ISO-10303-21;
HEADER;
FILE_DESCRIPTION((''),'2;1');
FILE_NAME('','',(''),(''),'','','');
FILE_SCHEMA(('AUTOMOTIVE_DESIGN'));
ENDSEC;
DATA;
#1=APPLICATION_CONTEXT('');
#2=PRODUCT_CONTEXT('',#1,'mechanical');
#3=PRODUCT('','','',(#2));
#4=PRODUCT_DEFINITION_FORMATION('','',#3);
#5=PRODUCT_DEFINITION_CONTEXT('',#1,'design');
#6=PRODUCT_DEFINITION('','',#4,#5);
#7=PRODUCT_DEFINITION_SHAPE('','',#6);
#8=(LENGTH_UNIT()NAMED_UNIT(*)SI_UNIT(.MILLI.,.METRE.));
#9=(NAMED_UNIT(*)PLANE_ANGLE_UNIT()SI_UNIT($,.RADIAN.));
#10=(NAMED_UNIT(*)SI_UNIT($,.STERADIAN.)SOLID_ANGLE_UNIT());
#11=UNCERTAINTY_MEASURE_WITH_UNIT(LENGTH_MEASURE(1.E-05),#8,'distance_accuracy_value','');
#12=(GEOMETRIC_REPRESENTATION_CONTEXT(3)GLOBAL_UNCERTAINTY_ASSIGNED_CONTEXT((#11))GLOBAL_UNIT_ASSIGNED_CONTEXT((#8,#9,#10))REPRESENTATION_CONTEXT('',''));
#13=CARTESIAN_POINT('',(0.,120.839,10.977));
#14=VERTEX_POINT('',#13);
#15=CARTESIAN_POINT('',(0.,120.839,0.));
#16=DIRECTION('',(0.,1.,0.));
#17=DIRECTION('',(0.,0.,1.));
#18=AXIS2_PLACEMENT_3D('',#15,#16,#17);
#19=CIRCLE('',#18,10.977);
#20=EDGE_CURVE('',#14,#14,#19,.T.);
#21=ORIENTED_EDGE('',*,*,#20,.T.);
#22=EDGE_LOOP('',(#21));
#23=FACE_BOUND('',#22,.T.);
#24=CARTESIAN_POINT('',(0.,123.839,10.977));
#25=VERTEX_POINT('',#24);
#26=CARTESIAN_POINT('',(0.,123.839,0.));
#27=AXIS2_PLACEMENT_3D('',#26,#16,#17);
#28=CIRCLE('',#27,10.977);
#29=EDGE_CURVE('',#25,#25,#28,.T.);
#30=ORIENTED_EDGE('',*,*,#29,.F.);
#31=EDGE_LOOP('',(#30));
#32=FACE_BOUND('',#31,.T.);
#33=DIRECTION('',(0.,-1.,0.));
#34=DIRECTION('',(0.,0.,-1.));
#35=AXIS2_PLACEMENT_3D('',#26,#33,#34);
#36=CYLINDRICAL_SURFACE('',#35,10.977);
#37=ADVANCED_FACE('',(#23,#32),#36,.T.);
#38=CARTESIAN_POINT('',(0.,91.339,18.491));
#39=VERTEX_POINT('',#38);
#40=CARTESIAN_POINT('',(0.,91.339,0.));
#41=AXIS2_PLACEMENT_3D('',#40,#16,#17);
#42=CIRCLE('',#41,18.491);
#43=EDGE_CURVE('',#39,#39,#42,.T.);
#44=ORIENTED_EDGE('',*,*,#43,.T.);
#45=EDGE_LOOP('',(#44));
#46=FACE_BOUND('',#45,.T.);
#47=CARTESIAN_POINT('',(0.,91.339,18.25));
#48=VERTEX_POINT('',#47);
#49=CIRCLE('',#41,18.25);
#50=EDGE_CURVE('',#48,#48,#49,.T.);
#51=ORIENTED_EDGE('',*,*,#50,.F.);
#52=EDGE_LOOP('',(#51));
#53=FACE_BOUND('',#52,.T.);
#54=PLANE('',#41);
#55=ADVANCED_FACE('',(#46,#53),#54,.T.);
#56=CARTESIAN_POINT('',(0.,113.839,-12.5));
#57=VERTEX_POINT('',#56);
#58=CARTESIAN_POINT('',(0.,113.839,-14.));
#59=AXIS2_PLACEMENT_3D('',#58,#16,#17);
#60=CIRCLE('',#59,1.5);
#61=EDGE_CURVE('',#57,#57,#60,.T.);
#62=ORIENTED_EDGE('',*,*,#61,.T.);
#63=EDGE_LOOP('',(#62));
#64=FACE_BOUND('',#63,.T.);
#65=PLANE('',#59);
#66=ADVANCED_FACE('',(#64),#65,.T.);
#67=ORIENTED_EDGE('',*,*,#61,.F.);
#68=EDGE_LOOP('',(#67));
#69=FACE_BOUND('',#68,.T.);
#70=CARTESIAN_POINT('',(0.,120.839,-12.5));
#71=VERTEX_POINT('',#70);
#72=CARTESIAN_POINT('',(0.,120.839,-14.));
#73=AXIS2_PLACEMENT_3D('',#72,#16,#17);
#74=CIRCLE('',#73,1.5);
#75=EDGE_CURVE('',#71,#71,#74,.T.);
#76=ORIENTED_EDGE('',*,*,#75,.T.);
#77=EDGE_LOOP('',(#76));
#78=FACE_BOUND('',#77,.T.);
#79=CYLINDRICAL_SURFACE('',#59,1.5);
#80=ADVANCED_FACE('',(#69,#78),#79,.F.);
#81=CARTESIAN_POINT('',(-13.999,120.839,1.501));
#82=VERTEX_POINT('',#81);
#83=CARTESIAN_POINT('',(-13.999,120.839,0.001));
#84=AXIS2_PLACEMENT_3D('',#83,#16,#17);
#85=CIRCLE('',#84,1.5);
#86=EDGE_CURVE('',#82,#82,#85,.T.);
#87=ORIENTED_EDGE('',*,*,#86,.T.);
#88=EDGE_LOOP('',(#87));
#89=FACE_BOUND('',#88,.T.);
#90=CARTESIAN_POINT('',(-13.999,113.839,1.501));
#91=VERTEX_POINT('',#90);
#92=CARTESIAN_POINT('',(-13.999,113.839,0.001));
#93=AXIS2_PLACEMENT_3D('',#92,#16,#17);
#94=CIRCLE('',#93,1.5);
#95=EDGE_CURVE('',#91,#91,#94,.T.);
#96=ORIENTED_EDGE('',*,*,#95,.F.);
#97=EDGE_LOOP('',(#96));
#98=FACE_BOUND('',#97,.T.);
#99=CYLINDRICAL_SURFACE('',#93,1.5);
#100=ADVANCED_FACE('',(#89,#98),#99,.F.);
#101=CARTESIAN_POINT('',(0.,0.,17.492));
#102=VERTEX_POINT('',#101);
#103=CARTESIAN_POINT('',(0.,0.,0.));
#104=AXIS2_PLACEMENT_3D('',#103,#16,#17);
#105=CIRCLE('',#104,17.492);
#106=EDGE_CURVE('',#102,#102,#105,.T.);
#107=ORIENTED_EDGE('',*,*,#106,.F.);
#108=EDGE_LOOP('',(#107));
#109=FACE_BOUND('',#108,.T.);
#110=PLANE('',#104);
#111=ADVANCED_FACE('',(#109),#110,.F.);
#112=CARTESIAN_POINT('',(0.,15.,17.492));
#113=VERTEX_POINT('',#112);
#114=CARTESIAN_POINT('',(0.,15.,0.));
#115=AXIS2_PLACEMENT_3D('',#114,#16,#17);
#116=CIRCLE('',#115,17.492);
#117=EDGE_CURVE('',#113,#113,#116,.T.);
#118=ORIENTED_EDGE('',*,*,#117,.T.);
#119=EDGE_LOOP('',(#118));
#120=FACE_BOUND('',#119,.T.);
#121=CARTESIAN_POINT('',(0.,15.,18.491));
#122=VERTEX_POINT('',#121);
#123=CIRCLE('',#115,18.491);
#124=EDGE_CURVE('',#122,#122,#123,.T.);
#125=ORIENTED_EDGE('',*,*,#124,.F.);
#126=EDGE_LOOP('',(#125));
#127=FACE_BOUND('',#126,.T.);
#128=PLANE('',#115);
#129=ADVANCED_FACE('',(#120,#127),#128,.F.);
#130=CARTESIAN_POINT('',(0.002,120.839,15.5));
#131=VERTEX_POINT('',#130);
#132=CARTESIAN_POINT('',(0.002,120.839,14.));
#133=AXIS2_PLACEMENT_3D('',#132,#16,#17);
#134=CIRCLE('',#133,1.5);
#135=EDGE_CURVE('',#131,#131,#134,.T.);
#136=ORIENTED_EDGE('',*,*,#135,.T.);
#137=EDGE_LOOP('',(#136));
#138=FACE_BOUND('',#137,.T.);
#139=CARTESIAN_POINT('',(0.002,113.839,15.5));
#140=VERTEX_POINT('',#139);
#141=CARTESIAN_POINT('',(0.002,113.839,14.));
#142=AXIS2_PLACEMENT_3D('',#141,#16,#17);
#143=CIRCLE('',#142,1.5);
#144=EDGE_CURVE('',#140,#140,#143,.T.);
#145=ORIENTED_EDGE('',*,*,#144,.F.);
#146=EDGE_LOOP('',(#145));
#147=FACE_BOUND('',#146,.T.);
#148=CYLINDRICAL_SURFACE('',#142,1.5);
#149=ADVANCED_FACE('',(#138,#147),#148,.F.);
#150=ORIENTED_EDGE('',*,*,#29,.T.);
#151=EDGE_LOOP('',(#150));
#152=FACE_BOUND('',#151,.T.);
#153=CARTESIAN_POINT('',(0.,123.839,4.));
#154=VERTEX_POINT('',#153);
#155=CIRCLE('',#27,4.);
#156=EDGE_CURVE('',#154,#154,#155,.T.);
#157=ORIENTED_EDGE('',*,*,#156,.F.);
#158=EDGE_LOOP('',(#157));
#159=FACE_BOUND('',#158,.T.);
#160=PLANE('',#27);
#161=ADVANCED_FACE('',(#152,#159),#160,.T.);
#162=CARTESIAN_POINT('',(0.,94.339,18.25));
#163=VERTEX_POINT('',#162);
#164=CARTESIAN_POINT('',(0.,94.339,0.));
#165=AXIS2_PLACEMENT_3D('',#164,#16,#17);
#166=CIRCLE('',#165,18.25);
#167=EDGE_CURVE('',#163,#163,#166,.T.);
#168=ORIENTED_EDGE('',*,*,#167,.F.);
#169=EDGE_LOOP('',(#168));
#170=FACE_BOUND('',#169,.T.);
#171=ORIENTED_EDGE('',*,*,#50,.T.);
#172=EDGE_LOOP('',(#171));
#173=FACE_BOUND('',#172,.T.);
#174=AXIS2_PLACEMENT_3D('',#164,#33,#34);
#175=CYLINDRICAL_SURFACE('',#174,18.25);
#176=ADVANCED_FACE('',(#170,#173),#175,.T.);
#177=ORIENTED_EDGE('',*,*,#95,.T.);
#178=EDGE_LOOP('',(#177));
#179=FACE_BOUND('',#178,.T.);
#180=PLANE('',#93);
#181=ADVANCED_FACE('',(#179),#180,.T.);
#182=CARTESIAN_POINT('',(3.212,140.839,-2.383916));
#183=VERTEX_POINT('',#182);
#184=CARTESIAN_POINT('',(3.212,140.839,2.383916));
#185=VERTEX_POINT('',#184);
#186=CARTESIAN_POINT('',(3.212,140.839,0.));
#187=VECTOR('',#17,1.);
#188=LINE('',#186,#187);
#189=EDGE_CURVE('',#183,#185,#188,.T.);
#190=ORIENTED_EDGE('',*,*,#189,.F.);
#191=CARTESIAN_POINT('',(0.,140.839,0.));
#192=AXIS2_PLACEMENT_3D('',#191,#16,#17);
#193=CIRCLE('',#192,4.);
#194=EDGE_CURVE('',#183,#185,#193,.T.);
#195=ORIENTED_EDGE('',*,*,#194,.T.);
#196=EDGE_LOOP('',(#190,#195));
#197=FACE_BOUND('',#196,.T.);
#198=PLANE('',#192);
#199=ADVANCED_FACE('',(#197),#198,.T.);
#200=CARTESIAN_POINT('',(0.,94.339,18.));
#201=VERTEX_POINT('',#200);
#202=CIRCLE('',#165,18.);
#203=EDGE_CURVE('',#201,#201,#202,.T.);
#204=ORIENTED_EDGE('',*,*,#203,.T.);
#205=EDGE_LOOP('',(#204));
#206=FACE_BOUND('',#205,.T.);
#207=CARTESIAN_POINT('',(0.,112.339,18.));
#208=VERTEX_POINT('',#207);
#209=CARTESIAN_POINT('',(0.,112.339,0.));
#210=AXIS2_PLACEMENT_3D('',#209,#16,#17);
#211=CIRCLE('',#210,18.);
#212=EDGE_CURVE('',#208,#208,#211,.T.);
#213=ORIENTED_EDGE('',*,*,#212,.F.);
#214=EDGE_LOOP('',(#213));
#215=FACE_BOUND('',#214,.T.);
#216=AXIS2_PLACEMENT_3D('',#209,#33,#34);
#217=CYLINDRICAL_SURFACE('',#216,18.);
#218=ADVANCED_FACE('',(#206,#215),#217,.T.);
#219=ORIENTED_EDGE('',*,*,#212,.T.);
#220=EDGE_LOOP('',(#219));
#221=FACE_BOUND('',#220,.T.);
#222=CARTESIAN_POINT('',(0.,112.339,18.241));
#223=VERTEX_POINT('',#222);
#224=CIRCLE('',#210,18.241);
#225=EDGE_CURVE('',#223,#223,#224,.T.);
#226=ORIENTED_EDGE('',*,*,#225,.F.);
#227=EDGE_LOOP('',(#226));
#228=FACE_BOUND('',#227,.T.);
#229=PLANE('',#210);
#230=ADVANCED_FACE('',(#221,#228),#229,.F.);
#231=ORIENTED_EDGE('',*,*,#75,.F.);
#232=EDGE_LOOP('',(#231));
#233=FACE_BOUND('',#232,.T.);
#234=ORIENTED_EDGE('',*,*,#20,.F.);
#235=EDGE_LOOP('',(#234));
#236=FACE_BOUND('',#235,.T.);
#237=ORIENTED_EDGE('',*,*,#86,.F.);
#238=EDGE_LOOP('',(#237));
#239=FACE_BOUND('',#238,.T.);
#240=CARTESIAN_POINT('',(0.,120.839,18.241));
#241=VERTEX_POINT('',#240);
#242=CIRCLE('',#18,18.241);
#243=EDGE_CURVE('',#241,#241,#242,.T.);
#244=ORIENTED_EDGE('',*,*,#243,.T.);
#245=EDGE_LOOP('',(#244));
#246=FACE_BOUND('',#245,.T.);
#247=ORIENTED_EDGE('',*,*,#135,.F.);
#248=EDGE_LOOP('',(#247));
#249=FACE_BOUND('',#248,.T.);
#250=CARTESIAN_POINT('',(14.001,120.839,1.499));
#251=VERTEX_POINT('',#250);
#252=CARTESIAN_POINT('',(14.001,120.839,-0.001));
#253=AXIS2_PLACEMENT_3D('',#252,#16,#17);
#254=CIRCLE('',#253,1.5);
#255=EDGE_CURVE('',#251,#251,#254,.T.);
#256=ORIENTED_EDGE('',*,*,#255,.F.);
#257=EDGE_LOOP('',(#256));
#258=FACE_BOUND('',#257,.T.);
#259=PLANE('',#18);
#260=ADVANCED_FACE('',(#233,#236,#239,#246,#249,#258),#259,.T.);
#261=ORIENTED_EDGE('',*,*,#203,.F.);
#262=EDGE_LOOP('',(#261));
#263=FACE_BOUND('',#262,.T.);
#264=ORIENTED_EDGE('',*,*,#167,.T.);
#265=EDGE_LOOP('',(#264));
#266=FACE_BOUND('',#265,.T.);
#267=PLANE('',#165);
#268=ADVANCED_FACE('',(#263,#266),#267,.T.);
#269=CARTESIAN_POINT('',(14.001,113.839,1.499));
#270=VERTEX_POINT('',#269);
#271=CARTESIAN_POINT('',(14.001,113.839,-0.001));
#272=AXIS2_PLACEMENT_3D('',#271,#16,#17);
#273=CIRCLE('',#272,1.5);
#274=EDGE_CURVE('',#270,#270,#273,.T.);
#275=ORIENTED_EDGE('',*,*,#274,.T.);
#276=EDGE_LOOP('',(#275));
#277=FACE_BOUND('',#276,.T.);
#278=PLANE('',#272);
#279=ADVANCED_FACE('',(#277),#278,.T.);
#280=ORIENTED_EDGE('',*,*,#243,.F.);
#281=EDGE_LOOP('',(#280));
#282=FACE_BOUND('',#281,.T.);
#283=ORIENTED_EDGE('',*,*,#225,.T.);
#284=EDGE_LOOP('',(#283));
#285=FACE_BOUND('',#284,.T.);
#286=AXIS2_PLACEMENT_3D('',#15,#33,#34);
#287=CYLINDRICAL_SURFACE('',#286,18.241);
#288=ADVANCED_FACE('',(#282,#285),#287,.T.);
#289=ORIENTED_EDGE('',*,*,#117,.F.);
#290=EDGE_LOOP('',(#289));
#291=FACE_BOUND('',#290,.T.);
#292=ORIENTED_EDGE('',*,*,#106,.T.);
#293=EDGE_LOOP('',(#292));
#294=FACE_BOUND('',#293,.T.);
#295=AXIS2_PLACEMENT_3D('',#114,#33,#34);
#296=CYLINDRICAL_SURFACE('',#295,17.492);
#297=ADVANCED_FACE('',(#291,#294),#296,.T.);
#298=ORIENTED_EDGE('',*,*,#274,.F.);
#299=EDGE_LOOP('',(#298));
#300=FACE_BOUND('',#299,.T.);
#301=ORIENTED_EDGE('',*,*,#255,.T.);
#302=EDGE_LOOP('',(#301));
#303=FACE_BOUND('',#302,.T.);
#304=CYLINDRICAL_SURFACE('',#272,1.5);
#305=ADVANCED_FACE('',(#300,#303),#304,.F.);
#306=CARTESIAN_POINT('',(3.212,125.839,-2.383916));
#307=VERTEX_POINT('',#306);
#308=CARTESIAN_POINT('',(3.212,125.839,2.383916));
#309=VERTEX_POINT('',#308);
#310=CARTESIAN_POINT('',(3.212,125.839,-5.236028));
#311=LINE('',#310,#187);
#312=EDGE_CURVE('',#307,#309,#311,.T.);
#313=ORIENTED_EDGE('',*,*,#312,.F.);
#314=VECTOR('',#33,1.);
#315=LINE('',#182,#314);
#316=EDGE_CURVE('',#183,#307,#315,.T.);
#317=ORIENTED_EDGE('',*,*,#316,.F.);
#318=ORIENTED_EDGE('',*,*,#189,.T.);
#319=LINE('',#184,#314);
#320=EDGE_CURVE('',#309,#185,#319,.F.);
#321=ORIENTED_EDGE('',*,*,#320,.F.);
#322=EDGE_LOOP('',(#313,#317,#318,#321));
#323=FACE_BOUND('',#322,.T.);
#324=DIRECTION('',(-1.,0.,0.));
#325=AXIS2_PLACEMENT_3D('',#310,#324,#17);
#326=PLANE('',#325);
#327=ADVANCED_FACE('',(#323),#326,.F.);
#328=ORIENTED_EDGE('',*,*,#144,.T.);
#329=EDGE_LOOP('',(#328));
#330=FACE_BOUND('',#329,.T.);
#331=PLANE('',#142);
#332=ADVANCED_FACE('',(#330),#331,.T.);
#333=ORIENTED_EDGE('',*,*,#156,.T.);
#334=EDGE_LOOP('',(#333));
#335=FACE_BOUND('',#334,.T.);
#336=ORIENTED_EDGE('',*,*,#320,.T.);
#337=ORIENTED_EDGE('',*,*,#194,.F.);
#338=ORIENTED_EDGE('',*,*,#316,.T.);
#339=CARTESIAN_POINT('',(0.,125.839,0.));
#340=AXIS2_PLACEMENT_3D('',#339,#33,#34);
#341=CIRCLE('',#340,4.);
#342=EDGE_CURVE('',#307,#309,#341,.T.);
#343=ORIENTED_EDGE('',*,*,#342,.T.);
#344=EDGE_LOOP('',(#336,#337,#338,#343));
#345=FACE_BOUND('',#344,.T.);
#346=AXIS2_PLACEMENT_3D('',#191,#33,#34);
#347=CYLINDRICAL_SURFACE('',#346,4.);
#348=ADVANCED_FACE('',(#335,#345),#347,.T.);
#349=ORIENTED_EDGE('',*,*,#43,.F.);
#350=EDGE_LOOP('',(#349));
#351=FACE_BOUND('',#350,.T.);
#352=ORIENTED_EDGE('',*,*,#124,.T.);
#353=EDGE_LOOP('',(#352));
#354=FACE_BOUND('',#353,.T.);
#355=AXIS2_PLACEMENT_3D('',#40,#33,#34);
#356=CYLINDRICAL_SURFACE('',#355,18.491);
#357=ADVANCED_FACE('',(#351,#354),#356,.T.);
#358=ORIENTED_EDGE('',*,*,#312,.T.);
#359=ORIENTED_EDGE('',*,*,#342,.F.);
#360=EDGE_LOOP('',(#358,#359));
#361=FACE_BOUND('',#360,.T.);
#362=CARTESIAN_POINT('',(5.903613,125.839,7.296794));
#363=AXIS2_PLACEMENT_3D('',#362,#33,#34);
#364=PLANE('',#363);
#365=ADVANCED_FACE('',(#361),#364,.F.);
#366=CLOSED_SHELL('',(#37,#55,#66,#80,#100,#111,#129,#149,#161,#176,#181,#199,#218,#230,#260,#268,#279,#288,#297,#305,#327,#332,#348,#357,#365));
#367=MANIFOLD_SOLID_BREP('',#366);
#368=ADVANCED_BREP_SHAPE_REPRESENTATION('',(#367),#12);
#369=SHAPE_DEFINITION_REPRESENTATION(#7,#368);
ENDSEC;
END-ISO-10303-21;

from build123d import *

# Parameters (mm, degrees)
ESQUISSE1_R      = 17.492
EXTRUSION1_DEPTH = 15
ESQUISSE2_R      = 18.491
EXTRUSION2_DEPTH = 76.339
ESQUISSE3_R      = 18.25
EXTRUSION3_DEPTH = 3
ESQUISSE4_R      = 18
EXTRUSION4_DEPTH = 18
ESQUISSE5_R      = 18.241
EXTRUSION5_DEPTH = 8.5
ESQUISSE6_R      = 10.977
EXTRUSION6_DEPTH = 3
ESQUISSE7_R      = 4
EXTRUSION7_DEPTH = 17
ESQUISSE8_W      = 2.691612919
ESQUISSE8_H      = 12.532822653
EXTRUSION8_DEPTH = 15
ESQUISSE9_R      = 1.5
EXTRUSION9_DEPTH = 7


with BuildPart() as part:
    # Esquisse1 → Extrusion1 (new body)
    with BuildSketch(Plane(origin=(0, 0, 0), x_dir=(1, 0, 0), z_dir=(0, 1, 0))):
        with Locations(Location((0, 0, 0), (0, 0, 270))):
            Circle(ESQUISSE1_R)
    extrude(amount=EXTRUSION1_DEPTH)

    # Esquisse2 → Extrusion2 (add)
    with BuildSketch(Plane(origin=(0, 15, 0), x_dir=(1, 0, 0), z_dir=(0, 1, 0))):
        with Locations(Location((0, 0, 0), (0, 0, 270))):
            Circle(ESQUISSE2_R)
    extrude(amount=EXTRUSION2_DEPTH)

    # Esquisse3 → Extrusion3 (add)
    with BuildSketch(Plane(origin=(0, 91.339, 0), x_dir=(1, 0, 0), z_dir=(0, 1, 0))):
        with Locations(Location((0, 0, 0), (0, 0, 270))):
            Circle(ESQUISSE3_R)
    extrude(amount=EXTRUSION3_DEPTH)

    # Esquisse4 → Extrusion4 (add)
    with BuildSketch(Plane(origin=(0, 94.339, 0), x_dir=(1, 0, 0), z_dir=(0, 1, 0))):
        with Locations(Location((0, 0, 0), (0, 0, 270))):
            Circle(ESQUISSE4_R)
    extrude(amount=EXTRUSION4_DEPTH)

    # Esquisse5 → Extrusion5 (add)
    with BuildSketch(Plane(origin=(0, 112.339, 0), x_dir=(1, 0, 0), z_dir=(0, 1, 0))):
        with Locations(Location((0, 0, 0), (0, 0, 270))):
            Circle(ESQUISSE5_R)
    extrude(amount=EXTRUSION5_DEPTH)

    # Esquisse6 → Extrusion6 (add)
    with BuildSketch(Plane(origin=(0, 120.839, 0), x_dir=(1, 0, 0), z_dir=(0, 1, 0))):
        with Locations(Location((0, 0, 0), (0, 0, 270))):
            Circle(ESQUISSE6_R)
    extrude(amount=EXTRUSION6_DEPTH)

    # Esquisse7 → Extrusion7 (add)
    with BuildSketch(Plane(origin=(0, 123.839, 0), x_dir=(-1, 0, 0), z_dir=(0, 1, 0))):
        with Locations(Location((0, 0, 0), (0, 0, 90))):
            Circle(ESQUISSE7_R)
    extrude(amount=EXTRUSION7_DEPTH)

    # Esquisse8 → Extrusion8 (cut)
    with BuildSketch(Plane(origin=(0, 140.839, 0), x_dir=(1, 0, 0), z_dir=(0, 1, 0))):
        with Locations((4.55780646, -1.030383071)):
            Rectangle(ESQUISSE8_W, ESQUISSE8_H)
    extrude(amount=-EXTRUSION8_DEPTH, mode=Mode.SUBTRACT)

    # Esquisse9 → Extrusion9 (cut)
    with BuildSketch(Plane(origin=(0, 120.839, 0), x_dir=(1, 0, 0), z_dir=(0, 1, 0))):
        with Locations(Location((0, 14, 0), (0, 0, 270))):
            Circle(ESQUISSE9_R)
        with Locations(Location((14.001, 0.001, 0), (0, 0, 270))):
            Circle(ESQUISSE9_R)
        with Locations(Location((0.002, -14, 0), (0, 0, 270))):
            Circle(ESQUISSE9_R)
        with Locations(Location((-13.999, -0.001, 0), (0, 0, 270))):
            Circle(ESQUISSE9_R)
    extrude(amount=-EXTRUSION9_DEPTH, mode=Mode.SUBTRACT)


solid = part.part
